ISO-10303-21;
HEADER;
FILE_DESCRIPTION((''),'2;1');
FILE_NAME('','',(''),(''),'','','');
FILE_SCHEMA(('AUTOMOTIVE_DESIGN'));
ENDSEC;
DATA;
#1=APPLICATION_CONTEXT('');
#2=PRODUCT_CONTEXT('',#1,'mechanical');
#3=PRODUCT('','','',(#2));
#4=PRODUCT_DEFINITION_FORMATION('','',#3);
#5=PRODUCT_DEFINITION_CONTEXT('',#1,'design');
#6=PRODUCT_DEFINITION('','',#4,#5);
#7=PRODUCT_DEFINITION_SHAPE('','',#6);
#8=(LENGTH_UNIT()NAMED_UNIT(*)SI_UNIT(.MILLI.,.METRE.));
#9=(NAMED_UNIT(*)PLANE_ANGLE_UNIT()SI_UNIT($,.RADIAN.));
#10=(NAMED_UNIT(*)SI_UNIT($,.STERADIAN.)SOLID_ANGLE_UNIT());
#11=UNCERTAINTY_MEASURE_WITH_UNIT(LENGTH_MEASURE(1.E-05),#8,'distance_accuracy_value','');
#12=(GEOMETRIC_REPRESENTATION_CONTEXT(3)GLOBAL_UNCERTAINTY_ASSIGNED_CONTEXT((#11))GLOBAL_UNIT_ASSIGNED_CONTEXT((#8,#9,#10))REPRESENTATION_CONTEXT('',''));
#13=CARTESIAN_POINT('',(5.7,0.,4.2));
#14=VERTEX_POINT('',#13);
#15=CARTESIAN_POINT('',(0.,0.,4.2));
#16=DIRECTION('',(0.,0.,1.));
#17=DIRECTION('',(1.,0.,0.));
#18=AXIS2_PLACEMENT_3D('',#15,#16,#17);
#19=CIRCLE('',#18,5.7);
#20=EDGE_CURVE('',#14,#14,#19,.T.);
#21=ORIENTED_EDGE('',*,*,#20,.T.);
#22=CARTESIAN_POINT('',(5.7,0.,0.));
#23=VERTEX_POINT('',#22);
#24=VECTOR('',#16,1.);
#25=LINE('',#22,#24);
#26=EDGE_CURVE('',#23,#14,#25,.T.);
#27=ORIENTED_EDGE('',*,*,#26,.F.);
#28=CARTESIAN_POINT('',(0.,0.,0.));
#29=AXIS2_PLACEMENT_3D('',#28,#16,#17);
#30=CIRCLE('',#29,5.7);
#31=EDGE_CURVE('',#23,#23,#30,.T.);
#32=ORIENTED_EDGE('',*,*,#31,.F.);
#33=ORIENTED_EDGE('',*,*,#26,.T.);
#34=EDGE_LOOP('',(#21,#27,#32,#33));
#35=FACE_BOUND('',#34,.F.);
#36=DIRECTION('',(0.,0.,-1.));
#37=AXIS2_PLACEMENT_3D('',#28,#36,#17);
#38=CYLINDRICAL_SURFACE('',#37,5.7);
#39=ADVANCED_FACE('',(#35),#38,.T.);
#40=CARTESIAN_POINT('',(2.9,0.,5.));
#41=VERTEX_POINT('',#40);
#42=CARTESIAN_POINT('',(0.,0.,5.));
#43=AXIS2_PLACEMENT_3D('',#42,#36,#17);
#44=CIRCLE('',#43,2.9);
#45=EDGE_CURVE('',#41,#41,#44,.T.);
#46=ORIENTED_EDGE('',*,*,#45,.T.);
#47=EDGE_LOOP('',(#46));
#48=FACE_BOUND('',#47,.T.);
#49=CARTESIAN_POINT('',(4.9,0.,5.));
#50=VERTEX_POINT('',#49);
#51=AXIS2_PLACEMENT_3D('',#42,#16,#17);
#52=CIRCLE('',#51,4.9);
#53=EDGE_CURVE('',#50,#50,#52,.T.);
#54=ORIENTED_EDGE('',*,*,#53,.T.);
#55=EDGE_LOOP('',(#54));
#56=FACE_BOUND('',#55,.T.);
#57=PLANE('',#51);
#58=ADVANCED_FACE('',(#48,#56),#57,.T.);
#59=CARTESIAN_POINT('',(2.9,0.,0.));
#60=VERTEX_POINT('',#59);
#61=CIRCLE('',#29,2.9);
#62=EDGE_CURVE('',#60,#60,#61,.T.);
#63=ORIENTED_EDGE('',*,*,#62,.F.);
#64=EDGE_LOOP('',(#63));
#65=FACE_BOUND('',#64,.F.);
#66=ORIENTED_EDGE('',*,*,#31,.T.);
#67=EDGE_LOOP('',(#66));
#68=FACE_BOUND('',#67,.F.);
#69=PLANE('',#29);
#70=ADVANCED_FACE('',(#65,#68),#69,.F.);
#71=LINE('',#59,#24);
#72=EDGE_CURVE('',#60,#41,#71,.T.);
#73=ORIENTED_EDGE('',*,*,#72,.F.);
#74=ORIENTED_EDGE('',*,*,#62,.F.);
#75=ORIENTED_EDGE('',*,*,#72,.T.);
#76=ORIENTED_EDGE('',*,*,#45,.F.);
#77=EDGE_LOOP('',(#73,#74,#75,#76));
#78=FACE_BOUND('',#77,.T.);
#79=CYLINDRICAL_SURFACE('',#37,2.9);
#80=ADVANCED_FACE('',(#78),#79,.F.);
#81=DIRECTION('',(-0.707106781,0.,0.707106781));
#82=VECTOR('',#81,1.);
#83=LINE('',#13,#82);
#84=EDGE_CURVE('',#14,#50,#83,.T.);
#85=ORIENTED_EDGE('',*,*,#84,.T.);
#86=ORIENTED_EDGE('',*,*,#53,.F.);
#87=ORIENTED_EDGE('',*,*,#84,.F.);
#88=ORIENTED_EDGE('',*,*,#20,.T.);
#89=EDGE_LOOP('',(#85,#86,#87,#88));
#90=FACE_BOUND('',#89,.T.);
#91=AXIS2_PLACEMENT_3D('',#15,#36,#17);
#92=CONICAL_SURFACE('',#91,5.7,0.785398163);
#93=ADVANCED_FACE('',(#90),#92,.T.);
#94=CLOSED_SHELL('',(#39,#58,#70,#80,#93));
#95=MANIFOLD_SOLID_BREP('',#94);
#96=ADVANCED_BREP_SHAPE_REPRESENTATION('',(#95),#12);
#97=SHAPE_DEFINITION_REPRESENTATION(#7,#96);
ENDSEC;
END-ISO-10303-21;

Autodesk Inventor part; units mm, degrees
ref_plane "YZ Plane" through (0, 0, 0) normal (1, 0, 0) x (0, 1, 0)
ref_plane "XZ Plane" through (0, 0, 0) normal (0, 1, 0) x (-1, 0, 0)
ref_plane "XY Plane" through (0, 0, 0) normal (0, 0, 1) x (1, 0, 0)
sketch "Sketch1" plane through (0, 0, 0) normal (0, 0, 1) x (1, 0, 0)
  circle A0 centre (0, 0) radius 5.7
  dimension "d0" = 11.4
extrude "Extrusion1" add sketch "Sketch1" along normal blind 5
chamfer "Chamfer1" distance 0.8 angle 45 1 edges at (-5.7, 0, 5)
sketch "Sketch2" plane through (0, 0, 0) normal (0, 0, 1) x (1, 0, 0)
  circle A0 centre (0, 0) radius 2.9
  dimension "d6" = 5.8
extrude "Extrusion2" cut sketch "Sketch2" along normal blind 10
properties part number "Insert5mm"
